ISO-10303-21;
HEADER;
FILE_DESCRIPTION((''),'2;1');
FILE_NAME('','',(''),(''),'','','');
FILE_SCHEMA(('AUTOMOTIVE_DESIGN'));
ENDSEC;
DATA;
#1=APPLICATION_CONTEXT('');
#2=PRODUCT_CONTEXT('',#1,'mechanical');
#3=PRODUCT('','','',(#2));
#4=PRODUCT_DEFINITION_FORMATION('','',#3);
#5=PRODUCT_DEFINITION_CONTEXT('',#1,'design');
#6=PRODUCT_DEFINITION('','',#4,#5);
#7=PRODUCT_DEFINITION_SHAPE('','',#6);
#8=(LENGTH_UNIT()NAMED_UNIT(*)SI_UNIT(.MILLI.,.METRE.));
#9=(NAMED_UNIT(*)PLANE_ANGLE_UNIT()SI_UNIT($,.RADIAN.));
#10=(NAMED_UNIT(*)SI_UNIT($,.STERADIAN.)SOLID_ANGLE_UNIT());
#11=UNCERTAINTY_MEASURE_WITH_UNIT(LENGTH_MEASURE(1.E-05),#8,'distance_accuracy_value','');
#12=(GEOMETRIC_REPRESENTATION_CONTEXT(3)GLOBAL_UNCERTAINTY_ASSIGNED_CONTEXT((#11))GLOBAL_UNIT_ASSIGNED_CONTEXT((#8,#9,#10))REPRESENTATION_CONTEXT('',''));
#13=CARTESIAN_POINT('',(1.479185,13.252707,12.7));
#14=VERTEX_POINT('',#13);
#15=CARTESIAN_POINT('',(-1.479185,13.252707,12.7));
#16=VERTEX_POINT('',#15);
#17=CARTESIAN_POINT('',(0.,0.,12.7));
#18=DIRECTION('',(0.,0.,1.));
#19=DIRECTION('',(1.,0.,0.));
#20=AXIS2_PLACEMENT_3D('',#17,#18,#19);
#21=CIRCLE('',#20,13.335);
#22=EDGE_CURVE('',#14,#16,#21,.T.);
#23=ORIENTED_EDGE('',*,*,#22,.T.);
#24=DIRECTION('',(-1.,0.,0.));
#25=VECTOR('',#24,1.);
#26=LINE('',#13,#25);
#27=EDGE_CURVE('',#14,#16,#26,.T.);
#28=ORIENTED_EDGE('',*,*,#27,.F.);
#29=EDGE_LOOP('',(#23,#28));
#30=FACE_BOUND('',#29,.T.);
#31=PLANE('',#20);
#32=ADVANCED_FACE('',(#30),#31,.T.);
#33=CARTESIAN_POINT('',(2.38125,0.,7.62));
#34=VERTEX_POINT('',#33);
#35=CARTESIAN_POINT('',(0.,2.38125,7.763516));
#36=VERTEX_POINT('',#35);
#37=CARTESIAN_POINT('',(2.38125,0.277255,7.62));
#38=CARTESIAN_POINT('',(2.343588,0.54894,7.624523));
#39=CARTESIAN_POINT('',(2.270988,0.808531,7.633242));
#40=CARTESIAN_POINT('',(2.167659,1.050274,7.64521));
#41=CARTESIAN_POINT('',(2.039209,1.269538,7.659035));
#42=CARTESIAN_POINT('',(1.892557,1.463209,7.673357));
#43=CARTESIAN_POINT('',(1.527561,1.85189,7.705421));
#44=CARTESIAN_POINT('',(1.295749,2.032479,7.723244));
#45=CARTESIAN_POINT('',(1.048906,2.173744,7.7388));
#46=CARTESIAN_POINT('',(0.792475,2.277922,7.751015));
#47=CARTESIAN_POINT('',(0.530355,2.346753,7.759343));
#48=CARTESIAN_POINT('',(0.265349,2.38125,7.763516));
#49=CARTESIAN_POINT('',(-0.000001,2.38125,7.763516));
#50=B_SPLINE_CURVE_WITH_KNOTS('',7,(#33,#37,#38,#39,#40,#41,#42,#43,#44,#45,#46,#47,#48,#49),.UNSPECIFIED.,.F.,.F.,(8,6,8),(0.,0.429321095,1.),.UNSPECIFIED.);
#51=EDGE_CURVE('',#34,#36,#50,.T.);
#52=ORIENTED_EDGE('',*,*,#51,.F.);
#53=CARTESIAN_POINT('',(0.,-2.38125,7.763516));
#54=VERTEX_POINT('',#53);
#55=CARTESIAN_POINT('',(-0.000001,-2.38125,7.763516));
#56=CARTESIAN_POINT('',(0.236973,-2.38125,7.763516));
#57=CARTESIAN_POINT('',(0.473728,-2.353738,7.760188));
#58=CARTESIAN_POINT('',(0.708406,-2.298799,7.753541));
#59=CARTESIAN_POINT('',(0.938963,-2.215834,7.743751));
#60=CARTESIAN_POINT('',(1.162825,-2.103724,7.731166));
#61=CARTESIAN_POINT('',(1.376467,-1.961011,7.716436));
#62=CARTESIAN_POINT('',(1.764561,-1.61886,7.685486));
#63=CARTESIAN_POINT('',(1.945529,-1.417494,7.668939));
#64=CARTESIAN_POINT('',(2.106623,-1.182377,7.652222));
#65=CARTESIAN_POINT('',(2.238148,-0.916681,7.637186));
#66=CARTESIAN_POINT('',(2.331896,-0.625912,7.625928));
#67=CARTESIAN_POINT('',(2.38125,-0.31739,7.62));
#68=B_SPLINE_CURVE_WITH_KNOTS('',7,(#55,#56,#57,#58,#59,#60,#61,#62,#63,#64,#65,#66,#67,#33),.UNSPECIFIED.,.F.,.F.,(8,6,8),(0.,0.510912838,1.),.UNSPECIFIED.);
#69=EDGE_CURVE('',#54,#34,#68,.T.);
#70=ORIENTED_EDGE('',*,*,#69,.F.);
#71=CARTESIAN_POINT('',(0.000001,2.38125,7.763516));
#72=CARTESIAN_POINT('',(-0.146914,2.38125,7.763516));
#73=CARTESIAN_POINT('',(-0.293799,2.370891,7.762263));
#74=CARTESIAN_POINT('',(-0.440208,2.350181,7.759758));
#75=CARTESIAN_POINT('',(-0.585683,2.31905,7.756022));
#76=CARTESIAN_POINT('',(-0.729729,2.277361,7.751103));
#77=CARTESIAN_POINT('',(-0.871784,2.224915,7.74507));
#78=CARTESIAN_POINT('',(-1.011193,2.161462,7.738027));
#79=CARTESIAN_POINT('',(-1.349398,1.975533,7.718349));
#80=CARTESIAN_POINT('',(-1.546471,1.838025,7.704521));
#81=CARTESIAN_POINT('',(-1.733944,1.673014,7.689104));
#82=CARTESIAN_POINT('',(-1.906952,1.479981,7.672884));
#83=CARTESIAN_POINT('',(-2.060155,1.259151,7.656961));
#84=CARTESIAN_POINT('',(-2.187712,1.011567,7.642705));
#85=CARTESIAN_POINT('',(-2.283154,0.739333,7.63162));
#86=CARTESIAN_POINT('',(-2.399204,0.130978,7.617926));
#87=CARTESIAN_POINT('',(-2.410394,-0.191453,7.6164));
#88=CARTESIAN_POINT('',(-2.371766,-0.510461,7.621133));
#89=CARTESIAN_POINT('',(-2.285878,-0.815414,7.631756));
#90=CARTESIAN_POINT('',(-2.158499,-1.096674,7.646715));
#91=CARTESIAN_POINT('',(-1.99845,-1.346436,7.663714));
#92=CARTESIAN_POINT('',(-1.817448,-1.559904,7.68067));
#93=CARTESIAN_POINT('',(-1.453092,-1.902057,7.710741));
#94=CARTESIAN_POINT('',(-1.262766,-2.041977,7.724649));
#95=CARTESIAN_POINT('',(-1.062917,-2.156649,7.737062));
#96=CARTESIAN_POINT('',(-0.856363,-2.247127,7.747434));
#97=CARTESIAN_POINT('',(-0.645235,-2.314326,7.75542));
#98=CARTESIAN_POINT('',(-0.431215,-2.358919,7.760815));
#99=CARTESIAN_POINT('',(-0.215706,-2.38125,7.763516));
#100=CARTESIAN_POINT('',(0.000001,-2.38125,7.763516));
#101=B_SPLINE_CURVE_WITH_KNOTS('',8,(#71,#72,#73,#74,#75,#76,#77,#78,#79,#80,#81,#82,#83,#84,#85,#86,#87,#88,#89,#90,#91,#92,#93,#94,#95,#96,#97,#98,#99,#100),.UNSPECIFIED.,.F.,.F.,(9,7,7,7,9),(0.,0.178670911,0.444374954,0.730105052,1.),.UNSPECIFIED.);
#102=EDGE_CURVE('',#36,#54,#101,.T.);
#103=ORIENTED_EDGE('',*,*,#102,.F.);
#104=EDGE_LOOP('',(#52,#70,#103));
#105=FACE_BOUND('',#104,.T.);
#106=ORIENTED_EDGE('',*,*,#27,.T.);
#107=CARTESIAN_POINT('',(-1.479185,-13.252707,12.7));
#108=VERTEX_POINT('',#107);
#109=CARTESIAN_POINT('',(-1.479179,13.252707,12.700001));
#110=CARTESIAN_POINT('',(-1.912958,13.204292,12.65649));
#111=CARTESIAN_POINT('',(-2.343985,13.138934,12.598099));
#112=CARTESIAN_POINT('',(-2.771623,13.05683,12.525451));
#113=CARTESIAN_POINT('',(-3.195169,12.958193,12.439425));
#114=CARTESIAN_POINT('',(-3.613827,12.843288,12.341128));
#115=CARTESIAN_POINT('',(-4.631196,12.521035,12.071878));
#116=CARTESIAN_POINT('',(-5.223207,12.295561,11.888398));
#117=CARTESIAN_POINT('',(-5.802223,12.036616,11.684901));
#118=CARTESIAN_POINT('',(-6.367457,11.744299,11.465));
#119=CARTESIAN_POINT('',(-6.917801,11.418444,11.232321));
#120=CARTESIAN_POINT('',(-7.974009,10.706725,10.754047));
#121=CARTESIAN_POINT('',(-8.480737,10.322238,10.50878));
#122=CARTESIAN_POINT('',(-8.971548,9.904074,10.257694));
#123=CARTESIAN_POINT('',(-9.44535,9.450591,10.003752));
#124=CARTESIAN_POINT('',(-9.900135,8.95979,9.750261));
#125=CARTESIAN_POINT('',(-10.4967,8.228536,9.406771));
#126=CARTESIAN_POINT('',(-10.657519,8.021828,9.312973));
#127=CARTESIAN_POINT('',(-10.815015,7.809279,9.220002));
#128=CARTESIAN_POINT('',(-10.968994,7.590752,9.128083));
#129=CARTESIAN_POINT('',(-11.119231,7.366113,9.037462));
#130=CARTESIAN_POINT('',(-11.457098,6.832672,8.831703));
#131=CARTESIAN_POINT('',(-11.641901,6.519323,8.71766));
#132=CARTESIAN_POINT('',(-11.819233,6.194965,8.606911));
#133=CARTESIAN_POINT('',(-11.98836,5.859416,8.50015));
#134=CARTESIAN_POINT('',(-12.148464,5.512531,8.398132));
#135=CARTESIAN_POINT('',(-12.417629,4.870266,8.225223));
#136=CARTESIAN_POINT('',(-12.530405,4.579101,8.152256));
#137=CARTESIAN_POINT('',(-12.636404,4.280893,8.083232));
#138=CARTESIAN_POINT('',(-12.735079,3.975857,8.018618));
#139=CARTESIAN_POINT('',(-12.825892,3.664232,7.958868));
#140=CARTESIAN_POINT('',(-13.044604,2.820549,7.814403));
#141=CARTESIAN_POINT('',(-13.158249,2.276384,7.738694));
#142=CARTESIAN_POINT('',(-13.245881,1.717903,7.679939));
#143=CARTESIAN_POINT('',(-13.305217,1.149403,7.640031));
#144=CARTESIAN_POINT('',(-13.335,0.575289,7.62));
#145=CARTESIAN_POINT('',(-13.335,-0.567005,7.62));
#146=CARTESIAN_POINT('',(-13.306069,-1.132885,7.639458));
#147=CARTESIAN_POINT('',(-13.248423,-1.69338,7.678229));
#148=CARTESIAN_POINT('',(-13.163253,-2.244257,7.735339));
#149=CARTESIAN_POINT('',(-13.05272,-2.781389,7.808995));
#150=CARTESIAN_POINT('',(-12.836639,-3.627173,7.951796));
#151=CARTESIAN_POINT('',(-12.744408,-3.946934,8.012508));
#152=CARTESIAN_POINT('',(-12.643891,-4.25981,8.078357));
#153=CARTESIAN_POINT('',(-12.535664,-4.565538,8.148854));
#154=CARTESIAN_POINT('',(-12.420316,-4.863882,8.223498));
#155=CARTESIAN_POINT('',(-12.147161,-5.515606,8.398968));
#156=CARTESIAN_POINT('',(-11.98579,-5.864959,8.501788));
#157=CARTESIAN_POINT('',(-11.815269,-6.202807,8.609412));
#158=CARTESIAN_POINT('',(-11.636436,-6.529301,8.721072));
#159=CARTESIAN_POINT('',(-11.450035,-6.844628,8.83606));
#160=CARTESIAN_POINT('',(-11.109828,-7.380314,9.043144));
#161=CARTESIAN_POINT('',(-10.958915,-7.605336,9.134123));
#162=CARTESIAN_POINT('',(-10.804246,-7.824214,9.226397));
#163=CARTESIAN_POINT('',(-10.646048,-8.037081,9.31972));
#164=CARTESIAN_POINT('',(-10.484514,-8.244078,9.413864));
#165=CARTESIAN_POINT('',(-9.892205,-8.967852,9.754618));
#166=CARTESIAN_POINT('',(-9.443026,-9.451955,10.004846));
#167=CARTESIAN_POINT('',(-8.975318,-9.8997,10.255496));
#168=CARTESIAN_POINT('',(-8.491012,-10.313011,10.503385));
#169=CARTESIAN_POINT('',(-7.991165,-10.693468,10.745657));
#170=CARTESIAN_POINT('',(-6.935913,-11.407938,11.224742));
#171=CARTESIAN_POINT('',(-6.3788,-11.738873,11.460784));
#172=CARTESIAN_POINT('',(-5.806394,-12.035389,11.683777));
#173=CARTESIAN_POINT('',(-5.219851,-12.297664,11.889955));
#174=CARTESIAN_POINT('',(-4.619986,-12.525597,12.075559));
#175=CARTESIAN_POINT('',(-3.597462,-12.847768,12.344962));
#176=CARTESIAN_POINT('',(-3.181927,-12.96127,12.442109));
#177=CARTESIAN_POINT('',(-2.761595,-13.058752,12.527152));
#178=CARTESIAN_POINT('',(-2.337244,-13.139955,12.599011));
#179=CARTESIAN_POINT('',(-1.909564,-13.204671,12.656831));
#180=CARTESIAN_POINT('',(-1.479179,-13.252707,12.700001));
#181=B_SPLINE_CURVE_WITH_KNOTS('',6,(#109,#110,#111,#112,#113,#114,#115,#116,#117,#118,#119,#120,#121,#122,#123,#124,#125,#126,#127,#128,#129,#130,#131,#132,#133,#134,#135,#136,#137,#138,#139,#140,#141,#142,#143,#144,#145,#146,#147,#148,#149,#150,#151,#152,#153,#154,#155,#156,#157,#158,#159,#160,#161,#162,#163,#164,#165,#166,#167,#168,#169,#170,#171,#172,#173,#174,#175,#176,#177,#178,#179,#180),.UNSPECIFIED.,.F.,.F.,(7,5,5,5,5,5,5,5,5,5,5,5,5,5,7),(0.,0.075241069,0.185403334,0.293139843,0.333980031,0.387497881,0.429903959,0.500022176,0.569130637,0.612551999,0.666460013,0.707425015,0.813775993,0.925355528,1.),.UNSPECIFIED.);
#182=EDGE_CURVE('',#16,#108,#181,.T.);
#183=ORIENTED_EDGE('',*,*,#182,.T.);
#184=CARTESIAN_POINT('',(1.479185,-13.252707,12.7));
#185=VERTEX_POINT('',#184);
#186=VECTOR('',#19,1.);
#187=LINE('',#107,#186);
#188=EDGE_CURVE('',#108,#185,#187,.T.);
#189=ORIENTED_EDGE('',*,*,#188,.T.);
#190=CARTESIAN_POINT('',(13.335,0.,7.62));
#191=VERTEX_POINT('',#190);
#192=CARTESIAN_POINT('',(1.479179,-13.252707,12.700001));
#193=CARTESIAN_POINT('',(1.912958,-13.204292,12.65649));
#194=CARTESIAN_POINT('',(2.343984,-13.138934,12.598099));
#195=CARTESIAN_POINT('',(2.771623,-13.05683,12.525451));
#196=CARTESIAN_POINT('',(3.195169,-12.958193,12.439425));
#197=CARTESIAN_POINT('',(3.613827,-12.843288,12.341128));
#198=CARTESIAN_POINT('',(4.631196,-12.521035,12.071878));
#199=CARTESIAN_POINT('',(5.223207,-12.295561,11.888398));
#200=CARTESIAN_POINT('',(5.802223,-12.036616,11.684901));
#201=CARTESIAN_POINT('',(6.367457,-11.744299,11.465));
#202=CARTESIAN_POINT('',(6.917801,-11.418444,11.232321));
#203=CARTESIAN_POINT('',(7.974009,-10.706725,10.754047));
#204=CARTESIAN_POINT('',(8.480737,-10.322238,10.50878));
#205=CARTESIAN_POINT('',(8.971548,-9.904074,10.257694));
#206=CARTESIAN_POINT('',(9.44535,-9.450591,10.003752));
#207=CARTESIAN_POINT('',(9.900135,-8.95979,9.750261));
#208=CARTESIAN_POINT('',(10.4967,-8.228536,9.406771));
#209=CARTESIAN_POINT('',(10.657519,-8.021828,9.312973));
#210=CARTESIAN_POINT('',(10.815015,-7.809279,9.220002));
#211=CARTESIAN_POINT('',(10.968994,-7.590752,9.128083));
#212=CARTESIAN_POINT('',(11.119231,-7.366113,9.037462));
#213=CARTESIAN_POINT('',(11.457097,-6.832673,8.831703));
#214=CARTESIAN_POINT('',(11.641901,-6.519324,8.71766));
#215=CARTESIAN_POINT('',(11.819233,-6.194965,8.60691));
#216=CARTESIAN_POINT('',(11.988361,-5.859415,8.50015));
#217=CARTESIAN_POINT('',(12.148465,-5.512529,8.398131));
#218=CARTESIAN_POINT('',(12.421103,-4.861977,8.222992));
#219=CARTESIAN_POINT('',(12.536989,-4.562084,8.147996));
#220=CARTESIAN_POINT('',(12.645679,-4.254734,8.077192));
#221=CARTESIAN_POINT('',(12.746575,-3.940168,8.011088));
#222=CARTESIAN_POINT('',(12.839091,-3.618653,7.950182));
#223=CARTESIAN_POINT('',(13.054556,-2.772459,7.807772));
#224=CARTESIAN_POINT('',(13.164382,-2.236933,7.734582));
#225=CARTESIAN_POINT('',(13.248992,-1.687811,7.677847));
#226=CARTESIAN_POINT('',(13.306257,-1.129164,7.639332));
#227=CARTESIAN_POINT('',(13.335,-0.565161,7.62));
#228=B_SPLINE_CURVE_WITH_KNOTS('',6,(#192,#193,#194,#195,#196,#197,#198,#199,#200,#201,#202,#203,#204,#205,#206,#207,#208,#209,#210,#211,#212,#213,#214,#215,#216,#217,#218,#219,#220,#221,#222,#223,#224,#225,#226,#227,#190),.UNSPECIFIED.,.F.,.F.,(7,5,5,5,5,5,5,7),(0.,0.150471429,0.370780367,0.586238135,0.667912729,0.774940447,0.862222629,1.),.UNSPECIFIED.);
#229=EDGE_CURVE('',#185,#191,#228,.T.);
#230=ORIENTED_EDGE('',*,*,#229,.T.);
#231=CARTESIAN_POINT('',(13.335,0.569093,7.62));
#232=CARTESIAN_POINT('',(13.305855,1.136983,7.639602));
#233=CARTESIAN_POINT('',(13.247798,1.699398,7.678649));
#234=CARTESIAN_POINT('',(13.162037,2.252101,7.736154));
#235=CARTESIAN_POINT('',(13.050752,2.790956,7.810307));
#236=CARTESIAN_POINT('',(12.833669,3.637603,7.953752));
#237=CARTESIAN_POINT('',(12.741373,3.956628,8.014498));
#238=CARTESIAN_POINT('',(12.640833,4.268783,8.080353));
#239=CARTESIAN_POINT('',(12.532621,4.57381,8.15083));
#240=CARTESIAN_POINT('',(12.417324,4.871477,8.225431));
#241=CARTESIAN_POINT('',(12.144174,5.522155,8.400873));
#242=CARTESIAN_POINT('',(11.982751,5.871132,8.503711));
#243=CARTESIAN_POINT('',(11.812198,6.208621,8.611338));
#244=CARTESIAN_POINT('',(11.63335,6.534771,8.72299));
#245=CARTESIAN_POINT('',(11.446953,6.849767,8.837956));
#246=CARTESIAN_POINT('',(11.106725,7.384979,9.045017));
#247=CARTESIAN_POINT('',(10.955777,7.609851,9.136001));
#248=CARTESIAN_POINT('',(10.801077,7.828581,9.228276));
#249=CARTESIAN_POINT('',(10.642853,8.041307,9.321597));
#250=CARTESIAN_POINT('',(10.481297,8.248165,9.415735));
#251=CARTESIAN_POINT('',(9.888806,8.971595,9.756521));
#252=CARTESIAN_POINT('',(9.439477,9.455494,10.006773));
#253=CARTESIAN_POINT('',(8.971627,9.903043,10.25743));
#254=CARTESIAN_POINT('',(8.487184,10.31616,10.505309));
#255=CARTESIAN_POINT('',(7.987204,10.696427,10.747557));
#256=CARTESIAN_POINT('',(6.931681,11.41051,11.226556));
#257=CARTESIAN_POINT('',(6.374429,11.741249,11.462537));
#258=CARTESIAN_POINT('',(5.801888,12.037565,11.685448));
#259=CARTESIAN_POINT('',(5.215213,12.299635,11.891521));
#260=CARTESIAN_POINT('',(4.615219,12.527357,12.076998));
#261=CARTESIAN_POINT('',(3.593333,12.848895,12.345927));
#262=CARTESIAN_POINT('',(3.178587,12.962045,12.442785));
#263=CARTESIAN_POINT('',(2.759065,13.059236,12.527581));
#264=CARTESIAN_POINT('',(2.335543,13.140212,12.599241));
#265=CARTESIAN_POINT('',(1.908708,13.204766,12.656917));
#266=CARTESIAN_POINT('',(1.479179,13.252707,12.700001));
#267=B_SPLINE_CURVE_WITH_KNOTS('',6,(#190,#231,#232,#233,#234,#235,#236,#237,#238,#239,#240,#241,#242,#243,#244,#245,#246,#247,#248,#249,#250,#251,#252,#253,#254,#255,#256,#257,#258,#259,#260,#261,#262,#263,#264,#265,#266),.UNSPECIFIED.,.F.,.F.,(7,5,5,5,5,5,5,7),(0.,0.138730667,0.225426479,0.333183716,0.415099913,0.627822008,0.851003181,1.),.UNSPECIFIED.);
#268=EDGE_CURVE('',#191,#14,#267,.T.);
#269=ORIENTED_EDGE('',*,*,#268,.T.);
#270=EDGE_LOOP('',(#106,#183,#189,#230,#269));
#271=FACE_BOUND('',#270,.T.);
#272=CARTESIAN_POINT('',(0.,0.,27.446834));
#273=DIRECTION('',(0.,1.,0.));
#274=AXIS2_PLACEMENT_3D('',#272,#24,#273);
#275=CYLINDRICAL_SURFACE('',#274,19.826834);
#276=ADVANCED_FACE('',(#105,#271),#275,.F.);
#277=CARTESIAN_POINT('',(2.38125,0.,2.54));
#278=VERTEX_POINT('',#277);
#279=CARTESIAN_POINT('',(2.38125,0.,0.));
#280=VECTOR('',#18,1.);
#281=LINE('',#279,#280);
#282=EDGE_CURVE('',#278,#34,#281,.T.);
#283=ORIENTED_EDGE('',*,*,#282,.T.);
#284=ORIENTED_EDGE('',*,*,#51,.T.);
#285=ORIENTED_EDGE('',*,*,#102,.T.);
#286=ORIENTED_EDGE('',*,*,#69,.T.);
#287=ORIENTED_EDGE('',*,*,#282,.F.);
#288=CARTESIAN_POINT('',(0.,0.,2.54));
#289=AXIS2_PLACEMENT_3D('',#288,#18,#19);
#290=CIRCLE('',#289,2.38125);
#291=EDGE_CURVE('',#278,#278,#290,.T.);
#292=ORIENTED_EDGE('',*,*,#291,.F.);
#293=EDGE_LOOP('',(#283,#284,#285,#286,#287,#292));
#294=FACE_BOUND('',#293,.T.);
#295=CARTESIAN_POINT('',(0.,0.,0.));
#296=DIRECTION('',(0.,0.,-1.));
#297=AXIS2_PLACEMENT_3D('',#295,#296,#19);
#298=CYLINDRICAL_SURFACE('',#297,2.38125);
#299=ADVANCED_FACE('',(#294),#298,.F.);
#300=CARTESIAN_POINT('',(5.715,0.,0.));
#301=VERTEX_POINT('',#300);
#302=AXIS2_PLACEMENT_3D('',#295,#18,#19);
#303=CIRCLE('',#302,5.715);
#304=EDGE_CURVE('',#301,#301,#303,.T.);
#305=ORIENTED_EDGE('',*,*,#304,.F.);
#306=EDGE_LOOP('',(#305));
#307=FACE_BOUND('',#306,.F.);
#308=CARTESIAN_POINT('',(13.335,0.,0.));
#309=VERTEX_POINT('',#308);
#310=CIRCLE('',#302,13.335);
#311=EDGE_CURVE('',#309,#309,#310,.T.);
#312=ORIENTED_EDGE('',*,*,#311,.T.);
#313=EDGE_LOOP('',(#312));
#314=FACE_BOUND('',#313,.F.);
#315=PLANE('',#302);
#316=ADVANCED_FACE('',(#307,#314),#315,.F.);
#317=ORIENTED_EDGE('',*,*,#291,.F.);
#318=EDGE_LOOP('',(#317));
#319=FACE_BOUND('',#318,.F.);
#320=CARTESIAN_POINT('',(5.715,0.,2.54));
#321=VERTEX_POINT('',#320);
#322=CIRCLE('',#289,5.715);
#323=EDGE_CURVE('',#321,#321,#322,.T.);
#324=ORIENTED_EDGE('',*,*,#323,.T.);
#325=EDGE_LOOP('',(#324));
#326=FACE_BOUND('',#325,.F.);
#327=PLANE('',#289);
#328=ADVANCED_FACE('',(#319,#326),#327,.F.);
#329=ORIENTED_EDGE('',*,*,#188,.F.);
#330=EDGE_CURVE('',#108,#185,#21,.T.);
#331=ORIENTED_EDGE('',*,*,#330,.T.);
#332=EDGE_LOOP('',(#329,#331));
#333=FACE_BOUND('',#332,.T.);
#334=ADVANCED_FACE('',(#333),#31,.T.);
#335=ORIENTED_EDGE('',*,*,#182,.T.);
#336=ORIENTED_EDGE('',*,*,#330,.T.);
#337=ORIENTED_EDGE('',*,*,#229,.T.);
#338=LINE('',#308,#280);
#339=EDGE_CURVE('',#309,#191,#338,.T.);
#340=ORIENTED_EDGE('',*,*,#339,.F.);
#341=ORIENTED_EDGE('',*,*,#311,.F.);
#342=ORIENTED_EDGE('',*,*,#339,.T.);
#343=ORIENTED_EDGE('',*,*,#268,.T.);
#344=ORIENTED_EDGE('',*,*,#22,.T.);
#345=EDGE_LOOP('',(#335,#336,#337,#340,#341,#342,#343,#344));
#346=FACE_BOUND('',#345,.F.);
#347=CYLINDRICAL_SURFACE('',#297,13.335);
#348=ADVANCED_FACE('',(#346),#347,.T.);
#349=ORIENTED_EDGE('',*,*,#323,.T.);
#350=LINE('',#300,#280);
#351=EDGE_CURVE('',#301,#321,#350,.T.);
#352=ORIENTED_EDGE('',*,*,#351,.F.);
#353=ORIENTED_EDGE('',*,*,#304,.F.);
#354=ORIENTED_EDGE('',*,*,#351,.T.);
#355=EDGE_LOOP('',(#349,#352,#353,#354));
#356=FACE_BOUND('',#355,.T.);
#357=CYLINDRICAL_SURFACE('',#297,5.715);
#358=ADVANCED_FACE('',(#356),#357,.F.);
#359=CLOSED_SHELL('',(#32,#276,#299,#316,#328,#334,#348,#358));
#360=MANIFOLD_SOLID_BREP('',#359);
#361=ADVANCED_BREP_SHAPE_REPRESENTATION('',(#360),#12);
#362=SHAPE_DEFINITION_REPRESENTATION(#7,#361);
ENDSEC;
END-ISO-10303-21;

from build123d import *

# Parameters (mm, degrees)
F0_R          = 13.335
F0_R_2        = 5.715
F0_R_3        = 2.38125
F1_DEPTH      = 12.7
F2_DEPTH      = 2.54
F3_R          = 19.8268343705
F4_DEPTH      = 13.336
F4_DEPTH_BACK = 13.336


with BuildPart() as f1:
    # F0 (on Top) → F1 (new body)
    with BuildSketch(Plane.XY):
        Circle(F0_R)
        Circle(F0_R_2, mode=Mode.SUBTRACT)
        Circle(F0_R_2)
        Circle(F0_R_3, mode=Mode.SUBTRACT)
    extrude(amount=F1_DEPTH)

    # F0 (on Top) → F2 (cut)
    with BuildSketch(Plane.XY):
        Circle(F0_R_2)
        Circle(F0_R_3, mode=Mode.SUBTRACT)
    extrude(amount=F2_DEPTH, mode=Mode.SUBTRACT)

    # F3 (on Right) → F4 (cut, two sides)
    with BuildSketch(Plane.YZ) as f4_sk:
        with Locations((0, 27.4468343705)):
            Circle(F3_R)
    extrude(amount=-F4_DEPTH, mode=Mode.SUBTRACT)
    extrude(f4_sk.sketch, amount=F4_DEPTH_BACK, mode=Mode.SUBTRACT)


solid = f1.part
